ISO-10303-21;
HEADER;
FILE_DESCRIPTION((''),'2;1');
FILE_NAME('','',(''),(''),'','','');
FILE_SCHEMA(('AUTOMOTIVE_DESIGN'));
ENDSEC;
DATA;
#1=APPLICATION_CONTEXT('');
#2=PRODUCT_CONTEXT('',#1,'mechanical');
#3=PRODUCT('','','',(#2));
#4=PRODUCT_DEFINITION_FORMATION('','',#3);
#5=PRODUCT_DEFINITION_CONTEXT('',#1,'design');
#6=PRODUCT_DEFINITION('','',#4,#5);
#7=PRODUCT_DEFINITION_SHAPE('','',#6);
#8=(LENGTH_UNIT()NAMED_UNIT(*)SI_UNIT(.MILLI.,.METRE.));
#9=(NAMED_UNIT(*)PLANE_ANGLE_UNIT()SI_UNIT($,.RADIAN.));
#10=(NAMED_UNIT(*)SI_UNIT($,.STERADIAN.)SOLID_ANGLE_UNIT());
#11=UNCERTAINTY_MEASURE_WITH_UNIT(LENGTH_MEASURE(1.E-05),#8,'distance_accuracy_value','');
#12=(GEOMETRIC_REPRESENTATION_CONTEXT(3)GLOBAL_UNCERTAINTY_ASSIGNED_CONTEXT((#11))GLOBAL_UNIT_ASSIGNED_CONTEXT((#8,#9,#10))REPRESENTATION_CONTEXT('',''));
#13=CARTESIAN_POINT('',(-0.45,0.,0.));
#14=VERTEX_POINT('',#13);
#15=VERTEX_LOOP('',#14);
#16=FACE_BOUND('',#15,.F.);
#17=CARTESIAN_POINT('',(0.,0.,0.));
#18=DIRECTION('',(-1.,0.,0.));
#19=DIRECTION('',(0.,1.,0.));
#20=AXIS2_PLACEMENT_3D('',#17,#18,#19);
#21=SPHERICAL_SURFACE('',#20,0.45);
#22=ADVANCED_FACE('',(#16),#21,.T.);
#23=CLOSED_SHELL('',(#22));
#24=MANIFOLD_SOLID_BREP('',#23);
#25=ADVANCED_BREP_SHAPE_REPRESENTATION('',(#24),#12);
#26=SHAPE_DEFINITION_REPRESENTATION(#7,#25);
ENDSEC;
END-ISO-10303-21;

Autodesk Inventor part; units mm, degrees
sketch "Sketch_1" plane through (0, 0, 0) normal (0, 0, 1) x (1, 0, 0)
  line L0 (0.45, 0) -> (-0.45, 0)
  arc A0 (0.45, 0) -> (-0.45, 0) centre (0, 0) ccw
  line L1 (0.45, 0) -> (-0.45, 0)
revolve "Revolution1" add sketch "Sketch_1" angle 360 about axis through (0.45, 0, 0) along (1, 0, 0)
ref_plane "ip_st_1_XY" through (0, 0, 0) normal (-1, 0, 0) x (0, 0, -1)
ref_plane "ip_st_1_YZ" through (0, 0, 0) normal (0, 0, -1) x (0, -1, 0)
ref_plane "ip_st_1_ZX" through (0, 0, 0) normal (0, -1, 0) x (-1, 0, 0)
properties part number "MF85ZZ Ball" material "ステンレス鋼 440C"
